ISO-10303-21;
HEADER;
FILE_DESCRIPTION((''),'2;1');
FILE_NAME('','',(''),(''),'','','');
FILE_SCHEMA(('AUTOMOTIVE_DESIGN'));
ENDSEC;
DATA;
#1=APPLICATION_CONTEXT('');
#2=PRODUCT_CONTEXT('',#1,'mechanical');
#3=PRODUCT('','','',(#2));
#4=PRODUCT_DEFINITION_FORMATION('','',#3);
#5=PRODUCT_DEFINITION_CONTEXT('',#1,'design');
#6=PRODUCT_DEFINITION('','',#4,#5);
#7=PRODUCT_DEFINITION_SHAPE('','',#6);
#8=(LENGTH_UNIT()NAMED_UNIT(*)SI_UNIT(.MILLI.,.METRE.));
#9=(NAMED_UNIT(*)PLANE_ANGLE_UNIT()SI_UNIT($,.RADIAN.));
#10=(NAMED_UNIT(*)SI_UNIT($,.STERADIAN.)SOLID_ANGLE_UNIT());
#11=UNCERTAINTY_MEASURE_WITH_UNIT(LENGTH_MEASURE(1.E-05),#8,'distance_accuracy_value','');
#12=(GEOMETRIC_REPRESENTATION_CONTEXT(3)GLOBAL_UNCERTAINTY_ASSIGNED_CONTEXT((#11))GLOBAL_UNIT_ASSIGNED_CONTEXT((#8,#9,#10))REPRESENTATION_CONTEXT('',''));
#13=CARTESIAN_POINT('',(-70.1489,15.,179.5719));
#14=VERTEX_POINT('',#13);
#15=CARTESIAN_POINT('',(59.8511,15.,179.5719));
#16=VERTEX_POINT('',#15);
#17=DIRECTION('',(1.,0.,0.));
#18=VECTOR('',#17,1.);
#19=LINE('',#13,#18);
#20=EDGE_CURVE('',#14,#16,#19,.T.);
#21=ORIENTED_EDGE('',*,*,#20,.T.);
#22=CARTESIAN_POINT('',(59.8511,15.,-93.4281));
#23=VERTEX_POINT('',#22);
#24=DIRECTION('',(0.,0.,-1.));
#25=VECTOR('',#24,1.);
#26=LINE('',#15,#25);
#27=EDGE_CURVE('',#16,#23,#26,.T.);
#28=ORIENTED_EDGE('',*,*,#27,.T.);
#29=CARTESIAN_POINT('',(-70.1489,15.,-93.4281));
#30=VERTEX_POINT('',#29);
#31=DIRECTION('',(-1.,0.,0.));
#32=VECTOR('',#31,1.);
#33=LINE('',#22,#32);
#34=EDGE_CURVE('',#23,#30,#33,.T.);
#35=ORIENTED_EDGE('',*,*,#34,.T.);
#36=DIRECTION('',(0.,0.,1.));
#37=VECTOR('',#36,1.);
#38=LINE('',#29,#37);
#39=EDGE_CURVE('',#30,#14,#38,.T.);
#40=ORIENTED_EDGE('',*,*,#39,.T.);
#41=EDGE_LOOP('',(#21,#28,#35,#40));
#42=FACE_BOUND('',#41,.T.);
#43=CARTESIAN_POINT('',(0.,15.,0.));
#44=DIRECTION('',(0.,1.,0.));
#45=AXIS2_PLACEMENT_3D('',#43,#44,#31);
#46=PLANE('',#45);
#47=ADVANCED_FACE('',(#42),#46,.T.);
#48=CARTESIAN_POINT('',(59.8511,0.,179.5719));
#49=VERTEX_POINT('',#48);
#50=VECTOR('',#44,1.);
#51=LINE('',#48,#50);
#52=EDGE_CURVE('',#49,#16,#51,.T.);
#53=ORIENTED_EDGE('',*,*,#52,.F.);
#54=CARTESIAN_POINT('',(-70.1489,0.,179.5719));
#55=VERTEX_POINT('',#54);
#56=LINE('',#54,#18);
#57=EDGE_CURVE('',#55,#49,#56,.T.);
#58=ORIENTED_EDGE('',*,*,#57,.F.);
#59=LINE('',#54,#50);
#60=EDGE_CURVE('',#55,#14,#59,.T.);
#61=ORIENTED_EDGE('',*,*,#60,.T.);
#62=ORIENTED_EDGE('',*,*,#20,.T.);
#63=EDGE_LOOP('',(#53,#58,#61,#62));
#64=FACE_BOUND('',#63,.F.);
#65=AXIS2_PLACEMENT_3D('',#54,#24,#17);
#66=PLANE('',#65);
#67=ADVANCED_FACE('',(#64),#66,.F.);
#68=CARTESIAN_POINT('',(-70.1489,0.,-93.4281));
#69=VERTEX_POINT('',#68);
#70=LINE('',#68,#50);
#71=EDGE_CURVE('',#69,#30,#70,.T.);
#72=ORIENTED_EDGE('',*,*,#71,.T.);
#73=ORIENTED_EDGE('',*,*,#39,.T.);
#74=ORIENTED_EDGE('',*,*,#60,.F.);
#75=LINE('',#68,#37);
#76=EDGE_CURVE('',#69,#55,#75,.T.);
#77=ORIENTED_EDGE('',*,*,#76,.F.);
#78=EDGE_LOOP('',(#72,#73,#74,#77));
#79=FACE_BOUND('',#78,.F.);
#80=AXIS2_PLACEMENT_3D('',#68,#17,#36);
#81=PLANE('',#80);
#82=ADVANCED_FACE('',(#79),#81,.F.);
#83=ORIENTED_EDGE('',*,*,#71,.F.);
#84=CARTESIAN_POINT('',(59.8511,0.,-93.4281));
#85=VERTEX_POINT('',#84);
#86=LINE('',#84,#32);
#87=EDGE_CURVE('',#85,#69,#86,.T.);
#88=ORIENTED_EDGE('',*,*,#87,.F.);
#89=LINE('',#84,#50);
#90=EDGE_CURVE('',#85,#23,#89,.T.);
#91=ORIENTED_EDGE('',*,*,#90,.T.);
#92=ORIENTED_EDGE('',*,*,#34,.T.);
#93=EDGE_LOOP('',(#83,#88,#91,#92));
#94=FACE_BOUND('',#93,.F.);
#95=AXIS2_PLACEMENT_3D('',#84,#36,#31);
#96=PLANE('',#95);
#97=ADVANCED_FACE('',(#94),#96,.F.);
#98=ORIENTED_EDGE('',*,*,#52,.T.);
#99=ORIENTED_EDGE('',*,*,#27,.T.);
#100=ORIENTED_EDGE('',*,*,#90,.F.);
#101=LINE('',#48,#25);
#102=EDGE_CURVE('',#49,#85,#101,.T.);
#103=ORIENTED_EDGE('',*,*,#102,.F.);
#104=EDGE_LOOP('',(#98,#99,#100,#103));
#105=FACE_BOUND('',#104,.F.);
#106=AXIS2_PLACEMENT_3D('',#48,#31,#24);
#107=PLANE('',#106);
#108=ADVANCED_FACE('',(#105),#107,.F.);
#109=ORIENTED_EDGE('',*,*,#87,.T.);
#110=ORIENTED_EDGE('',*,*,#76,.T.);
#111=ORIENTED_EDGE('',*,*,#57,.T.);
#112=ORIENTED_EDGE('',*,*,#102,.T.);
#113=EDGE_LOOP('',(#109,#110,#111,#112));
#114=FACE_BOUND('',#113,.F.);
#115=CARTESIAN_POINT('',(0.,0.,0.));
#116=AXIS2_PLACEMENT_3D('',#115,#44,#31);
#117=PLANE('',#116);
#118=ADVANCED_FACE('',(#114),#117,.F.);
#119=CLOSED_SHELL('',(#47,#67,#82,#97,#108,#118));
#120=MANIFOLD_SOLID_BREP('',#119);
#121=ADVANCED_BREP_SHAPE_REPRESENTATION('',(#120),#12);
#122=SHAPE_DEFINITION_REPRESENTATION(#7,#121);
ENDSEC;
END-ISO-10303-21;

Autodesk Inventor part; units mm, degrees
ref_plane "YZ Plane" through (0, 0, 0) normal (1, 0, 0) x (0, 1, 0)
ref_plane "XZ Plane" through (0, 0, 0) normal (0, 1, 0) x (-1, 0, 0)
ref_plane "XY Plane" through (0, 0, 0) normal (0, 0, 1) x (1, 0, 0)
sketch "Boceto1" plane through (0, 0, 0) normal (0, 1, 0) x (-1, 0, 0)
  line L0 (70.1489, 179.5719) -> (-59.8511, 179.5719)
  line L1 (-59.8511, 179.5719) -> (-59.8511, -93.4281)
  line L2 (-59.8511, -93.4281) -> (70.1489, -93.4281)
  line L3 (70.1489, -93.4281) -> (70.1489, 179.5719)
  point P0 (0, 0)
  dimension "d0" = 130
  dimension "d1" = 273
extrude "Extrusión1" add sketch "Boceto1" along normal blind 15
properties part number "placa centro"
